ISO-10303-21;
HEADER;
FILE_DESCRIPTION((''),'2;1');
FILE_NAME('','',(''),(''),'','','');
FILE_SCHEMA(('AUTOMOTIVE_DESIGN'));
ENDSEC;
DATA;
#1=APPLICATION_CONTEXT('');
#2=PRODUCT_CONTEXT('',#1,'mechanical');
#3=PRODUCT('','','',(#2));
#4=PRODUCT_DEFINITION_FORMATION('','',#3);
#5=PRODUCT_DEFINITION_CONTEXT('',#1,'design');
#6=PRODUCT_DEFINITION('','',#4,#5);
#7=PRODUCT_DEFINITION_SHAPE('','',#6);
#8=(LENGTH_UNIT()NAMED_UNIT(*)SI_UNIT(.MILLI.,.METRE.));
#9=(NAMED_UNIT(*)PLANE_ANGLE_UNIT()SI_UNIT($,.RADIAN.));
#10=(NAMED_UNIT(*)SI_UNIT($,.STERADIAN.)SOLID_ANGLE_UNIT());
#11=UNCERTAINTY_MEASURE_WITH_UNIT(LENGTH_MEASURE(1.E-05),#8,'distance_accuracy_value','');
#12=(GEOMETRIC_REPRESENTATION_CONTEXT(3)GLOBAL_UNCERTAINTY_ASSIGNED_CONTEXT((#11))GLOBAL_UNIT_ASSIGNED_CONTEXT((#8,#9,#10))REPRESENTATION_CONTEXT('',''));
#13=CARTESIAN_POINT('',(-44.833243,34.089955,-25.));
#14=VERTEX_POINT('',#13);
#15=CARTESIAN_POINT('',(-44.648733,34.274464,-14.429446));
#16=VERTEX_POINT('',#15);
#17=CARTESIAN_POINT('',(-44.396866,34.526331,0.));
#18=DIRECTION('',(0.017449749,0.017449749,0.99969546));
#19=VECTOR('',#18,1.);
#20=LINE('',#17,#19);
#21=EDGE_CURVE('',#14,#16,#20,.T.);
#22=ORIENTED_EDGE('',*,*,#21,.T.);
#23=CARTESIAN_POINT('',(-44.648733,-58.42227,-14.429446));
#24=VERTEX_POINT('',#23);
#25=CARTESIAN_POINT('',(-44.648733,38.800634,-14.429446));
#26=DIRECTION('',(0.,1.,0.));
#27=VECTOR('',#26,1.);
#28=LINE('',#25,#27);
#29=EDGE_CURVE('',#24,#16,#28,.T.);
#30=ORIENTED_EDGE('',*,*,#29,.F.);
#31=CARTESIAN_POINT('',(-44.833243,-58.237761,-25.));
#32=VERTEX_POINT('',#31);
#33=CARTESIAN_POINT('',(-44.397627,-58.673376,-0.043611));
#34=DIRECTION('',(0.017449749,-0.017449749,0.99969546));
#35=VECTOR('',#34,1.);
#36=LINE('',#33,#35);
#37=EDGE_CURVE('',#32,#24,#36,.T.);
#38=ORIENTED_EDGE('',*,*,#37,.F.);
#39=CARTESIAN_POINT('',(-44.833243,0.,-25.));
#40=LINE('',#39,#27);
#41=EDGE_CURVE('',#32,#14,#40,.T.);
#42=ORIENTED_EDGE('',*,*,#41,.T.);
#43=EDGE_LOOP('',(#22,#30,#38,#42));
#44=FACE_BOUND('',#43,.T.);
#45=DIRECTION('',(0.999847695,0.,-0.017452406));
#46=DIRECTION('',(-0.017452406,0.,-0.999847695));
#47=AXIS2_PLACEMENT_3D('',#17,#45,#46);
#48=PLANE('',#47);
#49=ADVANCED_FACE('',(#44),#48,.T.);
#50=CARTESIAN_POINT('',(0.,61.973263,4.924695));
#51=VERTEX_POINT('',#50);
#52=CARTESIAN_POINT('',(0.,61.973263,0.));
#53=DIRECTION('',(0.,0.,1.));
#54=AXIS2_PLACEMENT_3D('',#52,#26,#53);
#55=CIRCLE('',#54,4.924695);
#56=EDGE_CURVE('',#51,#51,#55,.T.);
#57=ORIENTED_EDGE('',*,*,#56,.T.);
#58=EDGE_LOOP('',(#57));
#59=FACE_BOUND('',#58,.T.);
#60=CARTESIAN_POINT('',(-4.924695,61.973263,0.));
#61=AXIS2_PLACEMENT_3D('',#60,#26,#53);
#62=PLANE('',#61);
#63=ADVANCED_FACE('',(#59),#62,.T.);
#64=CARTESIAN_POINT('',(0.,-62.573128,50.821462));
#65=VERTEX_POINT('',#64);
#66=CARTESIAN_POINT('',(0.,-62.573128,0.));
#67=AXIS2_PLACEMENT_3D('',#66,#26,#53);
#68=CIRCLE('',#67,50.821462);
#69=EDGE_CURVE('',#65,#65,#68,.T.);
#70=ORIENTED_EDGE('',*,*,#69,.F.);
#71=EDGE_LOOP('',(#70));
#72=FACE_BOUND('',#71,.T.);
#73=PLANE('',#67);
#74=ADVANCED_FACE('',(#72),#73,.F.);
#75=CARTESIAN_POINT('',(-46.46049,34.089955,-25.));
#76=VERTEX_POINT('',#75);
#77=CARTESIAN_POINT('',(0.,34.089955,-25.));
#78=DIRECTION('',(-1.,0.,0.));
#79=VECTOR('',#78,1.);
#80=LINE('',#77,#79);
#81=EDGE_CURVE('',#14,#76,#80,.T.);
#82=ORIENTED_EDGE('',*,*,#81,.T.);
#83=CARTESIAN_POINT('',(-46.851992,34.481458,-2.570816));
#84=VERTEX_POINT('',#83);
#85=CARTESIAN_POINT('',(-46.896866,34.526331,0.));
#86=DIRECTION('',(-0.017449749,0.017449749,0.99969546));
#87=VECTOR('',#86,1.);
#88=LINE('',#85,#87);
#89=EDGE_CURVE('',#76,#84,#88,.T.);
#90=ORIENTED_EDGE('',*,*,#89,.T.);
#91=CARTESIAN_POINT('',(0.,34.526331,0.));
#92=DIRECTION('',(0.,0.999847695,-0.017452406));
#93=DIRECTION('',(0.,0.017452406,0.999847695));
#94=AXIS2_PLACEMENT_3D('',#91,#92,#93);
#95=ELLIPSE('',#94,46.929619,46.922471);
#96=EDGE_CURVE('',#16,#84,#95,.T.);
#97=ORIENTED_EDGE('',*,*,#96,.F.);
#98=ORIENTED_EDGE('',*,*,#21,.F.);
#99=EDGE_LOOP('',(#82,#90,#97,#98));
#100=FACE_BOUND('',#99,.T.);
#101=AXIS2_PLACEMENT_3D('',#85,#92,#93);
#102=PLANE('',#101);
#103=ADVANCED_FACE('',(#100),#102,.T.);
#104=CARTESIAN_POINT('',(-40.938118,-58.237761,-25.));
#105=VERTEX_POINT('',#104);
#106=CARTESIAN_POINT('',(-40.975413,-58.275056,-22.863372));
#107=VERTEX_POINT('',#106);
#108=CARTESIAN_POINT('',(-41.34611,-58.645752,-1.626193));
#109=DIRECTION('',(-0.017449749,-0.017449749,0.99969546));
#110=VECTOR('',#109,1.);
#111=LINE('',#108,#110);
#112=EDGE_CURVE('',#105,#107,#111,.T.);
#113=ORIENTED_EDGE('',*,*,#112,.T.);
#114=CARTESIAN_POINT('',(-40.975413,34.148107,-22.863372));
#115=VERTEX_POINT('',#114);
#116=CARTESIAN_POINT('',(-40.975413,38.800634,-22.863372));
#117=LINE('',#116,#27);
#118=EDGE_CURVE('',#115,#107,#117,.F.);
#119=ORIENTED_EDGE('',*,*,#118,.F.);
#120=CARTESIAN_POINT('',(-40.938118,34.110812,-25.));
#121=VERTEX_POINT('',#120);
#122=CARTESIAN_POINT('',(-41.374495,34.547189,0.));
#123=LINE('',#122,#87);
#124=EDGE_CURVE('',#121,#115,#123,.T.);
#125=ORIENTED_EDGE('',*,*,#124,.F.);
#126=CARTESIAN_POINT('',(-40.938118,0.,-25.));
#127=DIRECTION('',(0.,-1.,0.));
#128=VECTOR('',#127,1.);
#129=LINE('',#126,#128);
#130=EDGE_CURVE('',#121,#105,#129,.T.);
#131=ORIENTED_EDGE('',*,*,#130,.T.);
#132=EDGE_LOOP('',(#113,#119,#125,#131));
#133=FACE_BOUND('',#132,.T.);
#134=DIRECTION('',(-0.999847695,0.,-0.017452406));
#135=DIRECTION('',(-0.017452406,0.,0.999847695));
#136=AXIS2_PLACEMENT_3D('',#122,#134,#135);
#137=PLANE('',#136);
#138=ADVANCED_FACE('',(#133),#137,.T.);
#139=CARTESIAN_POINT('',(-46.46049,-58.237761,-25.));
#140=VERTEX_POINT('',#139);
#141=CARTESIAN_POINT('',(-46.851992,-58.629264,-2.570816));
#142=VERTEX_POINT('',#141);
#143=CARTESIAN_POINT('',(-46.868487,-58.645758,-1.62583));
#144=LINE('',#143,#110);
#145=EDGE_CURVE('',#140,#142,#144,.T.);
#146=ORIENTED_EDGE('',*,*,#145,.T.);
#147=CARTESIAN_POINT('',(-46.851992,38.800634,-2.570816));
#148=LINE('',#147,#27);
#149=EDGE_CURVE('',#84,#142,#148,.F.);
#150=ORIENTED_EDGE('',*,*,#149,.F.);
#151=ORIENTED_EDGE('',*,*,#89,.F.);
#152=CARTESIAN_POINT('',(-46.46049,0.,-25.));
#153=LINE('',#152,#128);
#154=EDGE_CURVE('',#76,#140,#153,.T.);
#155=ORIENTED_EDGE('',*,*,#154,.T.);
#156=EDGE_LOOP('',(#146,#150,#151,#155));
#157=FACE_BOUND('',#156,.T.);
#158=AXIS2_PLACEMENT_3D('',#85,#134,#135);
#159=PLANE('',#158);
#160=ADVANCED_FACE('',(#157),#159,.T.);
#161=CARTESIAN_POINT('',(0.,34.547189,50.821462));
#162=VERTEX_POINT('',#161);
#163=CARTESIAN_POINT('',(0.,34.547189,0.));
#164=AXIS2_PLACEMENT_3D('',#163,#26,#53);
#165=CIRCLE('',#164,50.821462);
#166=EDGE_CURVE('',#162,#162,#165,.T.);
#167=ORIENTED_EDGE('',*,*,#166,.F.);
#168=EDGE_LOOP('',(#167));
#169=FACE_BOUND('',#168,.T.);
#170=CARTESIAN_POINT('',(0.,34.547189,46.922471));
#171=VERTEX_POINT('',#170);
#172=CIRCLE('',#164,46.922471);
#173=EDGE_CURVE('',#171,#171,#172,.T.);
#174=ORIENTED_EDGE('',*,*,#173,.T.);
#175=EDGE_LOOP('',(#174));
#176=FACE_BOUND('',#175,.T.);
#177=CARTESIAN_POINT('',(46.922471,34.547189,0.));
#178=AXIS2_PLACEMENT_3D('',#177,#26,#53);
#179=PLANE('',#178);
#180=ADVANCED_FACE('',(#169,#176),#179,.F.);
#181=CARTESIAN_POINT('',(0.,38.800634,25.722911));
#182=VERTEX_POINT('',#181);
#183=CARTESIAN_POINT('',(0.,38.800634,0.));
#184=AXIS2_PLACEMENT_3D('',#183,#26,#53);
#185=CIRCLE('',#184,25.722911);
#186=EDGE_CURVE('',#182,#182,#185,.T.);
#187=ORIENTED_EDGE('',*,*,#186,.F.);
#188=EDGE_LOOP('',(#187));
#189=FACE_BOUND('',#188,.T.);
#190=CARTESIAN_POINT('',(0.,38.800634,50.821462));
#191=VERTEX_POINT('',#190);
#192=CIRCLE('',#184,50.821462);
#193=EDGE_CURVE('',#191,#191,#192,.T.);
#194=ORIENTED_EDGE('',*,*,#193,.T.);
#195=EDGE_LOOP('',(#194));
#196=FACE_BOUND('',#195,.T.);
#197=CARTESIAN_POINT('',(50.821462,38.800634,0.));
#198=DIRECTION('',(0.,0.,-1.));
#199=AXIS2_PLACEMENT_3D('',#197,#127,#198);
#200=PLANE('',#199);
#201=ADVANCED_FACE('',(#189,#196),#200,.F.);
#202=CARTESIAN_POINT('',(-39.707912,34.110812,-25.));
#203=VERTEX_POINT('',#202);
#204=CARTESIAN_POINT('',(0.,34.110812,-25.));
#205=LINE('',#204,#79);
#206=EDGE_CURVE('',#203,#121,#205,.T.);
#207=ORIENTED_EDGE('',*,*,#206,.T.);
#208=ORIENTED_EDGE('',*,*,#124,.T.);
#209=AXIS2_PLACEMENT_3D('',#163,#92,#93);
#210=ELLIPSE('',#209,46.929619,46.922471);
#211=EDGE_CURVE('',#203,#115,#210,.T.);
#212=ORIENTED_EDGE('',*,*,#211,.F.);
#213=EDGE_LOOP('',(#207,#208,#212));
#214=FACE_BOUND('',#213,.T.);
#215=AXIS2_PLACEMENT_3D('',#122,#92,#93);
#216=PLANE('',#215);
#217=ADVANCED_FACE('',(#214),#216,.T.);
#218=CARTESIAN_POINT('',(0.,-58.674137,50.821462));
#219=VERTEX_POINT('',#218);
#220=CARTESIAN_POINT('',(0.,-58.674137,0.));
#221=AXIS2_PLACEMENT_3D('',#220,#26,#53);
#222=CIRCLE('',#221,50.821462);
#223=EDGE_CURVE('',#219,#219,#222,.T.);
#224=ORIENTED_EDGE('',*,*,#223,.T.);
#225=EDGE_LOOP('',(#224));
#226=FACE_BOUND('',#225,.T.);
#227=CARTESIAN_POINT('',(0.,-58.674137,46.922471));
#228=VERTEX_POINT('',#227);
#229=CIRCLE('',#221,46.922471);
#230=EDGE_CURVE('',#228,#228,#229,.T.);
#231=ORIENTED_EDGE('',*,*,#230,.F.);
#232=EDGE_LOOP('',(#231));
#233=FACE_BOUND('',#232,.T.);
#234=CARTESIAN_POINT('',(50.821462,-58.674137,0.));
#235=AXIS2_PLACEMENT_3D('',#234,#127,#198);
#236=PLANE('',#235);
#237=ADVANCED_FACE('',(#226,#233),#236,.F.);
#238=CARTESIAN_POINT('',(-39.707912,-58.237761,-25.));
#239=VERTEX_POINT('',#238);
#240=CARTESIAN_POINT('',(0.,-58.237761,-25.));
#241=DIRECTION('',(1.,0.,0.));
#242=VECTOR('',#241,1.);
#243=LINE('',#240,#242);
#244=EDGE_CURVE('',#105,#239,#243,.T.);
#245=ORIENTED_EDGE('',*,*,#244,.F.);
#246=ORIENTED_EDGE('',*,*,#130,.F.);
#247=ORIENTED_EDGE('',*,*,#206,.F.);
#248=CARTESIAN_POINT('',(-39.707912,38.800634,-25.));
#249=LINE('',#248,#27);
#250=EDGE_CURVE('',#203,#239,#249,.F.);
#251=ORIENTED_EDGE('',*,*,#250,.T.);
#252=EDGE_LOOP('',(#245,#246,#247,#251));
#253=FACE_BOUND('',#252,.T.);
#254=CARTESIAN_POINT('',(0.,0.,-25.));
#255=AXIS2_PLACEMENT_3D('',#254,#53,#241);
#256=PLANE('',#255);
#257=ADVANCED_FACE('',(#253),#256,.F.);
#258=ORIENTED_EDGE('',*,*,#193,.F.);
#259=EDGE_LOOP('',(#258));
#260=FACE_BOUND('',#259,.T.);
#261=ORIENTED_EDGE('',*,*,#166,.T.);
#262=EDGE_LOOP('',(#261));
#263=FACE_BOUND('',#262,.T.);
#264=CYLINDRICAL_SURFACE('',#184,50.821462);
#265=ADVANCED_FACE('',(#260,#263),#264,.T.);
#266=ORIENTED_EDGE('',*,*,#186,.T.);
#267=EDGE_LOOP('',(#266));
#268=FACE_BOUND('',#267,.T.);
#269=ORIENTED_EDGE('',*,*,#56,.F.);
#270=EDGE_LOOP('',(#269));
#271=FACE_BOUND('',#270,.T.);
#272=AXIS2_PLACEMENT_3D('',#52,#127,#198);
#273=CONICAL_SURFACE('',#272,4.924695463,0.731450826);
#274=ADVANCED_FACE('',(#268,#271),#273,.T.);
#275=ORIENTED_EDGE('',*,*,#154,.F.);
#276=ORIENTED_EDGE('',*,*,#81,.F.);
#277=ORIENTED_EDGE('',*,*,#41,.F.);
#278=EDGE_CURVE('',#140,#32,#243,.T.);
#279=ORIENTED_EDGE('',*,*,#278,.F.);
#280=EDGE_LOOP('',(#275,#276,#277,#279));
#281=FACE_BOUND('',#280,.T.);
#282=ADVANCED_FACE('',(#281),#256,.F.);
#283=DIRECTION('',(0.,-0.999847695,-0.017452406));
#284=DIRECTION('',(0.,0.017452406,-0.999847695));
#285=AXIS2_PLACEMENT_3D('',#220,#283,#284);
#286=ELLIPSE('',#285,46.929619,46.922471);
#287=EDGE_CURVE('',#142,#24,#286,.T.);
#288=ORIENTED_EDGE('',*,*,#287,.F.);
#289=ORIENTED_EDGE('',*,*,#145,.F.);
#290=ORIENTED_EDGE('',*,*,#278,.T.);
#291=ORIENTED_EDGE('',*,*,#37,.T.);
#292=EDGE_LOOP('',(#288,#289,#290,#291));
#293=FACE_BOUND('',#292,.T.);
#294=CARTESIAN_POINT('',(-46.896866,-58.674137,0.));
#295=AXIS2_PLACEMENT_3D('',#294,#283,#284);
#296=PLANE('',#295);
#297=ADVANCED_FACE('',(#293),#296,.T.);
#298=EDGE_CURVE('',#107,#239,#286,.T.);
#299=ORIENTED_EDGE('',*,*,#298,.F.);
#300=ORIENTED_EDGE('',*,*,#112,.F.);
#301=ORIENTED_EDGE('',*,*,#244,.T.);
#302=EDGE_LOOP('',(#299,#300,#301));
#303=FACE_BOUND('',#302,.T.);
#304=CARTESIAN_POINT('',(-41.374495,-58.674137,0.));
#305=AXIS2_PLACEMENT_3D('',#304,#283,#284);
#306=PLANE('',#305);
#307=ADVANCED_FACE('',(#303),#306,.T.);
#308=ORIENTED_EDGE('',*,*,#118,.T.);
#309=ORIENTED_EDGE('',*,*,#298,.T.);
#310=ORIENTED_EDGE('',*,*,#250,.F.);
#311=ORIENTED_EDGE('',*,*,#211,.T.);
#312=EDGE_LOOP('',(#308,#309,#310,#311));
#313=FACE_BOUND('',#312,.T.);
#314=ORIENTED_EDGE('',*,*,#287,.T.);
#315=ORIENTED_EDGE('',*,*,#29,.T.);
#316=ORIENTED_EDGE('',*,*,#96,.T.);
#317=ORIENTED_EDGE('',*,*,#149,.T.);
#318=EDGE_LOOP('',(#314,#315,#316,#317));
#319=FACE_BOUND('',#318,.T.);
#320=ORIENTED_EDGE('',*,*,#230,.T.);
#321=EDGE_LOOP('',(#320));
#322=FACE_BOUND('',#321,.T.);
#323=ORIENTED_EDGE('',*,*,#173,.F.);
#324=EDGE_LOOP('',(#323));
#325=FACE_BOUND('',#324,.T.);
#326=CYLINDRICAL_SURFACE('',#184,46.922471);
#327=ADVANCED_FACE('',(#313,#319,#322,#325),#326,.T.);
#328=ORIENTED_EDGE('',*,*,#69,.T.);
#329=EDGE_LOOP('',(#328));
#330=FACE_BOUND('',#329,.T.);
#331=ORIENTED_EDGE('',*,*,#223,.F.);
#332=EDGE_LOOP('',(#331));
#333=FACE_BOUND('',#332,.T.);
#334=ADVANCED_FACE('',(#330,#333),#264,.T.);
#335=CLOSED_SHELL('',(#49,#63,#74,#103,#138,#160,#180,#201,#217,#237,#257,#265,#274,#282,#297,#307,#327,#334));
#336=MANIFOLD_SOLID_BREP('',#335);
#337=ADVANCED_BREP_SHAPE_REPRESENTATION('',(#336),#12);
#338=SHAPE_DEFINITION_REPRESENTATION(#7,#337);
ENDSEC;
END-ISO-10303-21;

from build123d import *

# Parameters (mm, degrees)
CROQUIS3_W              = 2.5
CROQUIS3_H              = 93.200468797
CROQUIS3_H_2            = 93.221326365
SALIENTE_EXTRUIR1_DEPTH = 25
SALIENTE_EXTRUIR1_TAPER = 1


with BuildPart() as part:
    # Croquis1 → Revolución1 (revolve)
    with BuildSketch(Plane.XY):
        Polygon((0, 38.800633525), (0, -62.573128225), (50.821461866, -62.573128225), (50.821461866, -58.674137389), (46.92247103, -58.674137389), (46.92247103, 34.547188976), (50.821461866, 34.547188976), (50.821461866, 38.800633525), align=None)
    revolve(axis=Axis((0, 38.800633525, 0), (0, -1, 0)))

    # Croquis3 → Saliente-Extruir1 (add)
    with BuildSketch(Plane.XY):
        with Locations((-45.646866178, -12.07390299)):
            Rectangle(CROQUIS3_W, CROQUIS3_H)
        with Locations((-40.124494984, -12.063474207)):
            Rectangle(CROQUIS3_W, CROQUIS3_H_2)
    extrude(amount=-SALIENTE_EXTRUIR1_DEPTH, taper=SALIENTE_EXTRUIR1_TAPER)

    # Croquis6 → Revolución2 (revolve)
    with BuildSketch(Plane.XY):
        Polygon((0, 61.973262814), (0, 34.547188976), (-30.940786447, 34.547188976), (-30.940786447, 38.800633525), (-25.72291089, 38.800633525), (-4.924695463, 61.973262814), align=None)
    revolve(axis=Axis((0, 61.973262814, 0), (0, -1, 0)))


solid = part.part
